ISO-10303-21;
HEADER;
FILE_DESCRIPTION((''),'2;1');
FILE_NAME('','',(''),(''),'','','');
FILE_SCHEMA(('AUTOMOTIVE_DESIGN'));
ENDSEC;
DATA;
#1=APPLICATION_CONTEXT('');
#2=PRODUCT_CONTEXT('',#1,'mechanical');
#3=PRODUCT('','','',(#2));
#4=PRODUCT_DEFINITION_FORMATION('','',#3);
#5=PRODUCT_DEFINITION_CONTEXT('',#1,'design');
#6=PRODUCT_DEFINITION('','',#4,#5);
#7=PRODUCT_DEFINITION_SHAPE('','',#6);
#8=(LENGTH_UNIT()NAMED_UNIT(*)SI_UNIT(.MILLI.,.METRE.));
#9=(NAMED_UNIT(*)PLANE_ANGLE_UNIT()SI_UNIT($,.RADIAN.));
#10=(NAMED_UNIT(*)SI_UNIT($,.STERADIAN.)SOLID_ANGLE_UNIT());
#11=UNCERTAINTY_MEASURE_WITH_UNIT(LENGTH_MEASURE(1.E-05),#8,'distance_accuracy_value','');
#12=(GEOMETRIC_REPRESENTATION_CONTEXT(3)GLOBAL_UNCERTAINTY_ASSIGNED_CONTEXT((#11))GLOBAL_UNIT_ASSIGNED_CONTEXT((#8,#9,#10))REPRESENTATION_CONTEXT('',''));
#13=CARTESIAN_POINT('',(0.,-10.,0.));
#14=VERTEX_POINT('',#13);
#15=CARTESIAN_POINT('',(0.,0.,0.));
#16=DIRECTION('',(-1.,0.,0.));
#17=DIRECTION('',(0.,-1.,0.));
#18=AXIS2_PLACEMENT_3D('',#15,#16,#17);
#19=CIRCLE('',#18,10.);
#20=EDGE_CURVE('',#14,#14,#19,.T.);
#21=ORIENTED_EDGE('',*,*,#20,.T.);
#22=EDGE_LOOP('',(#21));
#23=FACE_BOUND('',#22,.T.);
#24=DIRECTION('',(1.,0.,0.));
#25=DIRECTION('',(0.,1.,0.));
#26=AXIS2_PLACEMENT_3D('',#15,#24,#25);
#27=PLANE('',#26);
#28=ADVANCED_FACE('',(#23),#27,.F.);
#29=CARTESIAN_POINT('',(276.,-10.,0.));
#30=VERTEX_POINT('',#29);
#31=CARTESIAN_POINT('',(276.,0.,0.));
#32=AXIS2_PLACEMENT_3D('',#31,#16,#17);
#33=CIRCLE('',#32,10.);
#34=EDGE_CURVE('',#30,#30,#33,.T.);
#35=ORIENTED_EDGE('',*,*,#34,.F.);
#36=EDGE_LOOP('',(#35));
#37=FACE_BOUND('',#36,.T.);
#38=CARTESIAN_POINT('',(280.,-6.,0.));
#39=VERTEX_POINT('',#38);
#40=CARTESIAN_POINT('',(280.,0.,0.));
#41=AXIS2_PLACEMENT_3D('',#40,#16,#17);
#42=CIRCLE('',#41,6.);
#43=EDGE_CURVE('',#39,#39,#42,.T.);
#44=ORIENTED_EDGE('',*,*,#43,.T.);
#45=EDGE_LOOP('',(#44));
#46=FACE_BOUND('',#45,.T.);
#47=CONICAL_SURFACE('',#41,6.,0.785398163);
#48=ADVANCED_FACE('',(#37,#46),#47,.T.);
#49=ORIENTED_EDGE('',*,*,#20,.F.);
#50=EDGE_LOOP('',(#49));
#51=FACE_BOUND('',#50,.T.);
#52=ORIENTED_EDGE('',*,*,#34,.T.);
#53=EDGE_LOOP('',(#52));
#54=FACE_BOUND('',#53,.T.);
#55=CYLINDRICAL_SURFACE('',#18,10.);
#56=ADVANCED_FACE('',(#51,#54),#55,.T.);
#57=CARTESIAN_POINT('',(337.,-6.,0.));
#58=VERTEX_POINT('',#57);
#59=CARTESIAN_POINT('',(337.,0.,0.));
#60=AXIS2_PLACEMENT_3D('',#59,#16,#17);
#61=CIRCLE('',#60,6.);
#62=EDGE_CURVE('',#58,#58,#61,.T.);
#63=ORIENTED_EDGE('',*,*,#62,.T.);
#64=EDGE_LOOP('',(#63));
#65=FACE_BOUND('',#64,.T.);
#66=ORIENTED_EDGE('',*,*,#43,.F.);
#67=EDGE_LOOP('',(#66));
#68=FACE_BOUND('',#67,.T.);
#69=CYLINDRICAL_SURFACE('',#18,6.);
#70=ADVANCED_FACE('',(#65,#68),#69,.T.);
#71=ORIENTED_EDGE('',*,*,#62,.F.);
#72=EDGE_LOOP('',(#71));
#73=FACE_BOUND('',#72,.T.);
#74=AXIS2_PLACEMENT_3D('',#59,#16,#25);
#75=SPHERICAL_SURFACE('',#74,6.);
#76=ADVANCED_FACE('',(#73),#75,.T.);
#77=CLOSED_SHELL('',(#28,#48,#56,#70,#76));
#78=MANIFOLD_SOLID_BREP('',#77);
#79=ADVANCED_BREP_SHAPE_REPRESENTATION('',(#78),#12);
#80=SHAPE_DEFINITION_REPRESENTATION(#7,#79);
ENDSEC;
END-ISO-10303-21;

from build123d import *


with BuildPart() as part:
    # Sketch1 → Revolve1 (revolve)
    with BuildSketch(Plane.XY, mode=Mode.PRIVATE) as revolve1_sk:
        with BuildLine():
            Line((0, 0), (0, 10))
            Line((0, 10), (276, 10))
            Line((276, 10), (280, 6))
            Line((280, 6), (337, 6))
            ThreePointArc((337, 6), (341.242640687, 4.242640687), (343, 0))
            Line((343, 0), (0, 0))
        make_face()
    revolve(revolve1_sk.sketch.rotate(Axis((0, 0, 0), (1, 0, 0)), 180), axis=Axis((0, 0, 0), (1, 0, 0)))


solid = part.part
